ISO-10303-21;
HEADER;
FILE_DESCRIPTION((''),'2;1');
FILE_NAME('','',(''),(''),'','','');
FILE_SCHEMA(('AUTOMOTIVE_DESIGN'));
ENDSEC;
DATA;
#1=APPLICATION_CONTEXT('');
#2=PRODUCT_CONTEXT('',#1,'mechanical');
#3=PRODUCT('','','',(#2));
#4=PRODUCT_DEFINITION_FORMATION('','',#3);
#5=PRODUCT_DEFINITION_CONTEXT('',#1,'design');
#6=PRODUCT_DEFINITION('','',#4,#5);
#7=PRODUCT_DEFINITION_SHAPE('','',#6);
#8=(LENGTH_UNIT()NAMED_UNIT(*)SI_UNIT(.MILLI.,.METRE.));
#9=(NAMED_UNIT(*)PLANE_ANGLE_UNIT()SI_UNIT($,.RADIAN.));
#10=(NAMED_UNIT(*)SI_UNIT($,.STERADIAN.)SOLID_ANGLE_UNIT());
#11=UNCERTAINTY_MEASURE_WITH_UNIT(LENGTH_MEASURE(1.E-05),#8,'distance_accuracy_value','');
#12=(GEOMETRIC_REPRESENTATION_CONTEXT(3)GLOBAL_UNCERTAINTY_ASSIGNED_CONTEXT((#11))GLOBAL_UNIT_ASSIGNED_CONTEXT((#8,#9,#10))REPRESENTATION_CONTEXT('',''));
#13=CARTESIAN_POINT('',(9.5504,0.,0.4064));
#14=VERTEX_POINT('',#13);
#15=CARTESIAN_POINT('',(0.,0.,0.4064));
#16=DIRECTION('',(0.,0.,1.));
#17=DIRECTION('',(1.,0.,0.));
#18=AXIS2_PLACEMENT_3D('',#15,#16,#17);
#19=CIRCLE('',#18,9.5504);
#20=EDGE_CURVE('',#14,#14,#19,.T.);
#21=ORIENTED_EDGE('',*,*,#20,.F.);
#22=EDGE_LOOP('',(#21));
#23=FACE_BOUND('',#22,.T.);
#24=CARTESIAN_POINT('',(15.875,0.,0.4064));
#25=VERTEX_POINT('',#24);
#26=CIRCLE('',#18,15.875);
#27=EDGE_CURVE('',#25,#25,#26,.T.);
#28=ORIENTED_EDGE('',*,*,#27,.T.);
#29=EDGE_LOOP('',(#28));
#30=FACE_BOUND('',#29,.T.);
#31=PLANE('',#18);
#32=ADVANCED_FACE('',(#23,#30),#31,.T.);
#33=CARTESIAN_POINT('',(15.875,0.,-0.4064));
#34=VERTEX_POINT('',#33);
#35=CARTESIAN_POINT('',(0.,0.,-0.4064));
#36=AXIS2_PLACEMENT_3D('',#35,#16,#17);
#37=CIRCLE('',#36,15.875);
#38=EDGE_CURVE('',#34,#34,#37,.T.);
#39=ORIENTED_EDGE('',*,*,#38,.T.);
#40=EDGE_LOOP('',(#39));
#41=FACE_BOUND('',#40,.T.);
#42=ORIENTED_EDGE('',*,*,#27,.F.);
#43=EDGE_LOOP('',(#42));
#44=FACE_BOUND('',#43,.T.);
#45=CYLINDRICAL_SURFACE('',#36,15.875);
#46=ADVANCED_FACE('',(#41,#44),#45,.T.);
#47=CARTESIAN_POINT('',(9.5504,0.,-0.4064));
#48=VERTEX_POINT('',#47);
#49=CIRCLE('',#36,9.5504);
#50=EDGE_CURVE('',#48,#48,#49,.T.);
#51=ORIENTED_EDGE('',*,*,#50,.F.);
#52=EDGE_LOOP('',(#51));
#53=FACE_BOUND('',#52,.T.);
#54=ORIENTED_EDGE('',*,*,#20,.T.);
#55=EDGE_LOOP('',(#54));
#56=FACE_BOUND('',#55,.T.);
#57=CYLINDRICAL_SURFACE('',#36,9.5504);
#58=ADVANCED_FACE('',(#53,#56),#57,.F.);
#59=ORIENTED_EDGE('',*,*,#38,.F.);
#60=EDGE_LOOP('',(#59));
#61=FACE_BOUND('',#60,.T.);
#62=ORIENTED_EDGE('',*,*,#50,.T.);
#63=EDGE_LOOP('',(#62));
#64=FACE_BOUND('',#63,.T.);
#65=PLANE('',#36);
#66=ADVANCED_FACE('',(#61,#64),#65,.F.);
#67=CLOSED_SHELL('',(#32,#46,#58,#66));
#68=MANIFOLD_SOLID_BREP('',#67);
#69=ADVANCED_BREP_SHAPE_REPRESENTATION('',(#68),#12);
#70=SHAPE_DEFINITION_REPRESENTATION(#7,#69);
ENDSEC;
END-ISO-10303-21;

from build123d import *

# Parameters (mm, degrees)
BOSS_EXTRUDE1_DEPTH      = 0.4064
BOSS_EXTRUDE1_DEPTH_BACK = 0.4064
SKETCH3_R                = 15.875
SKETCH3_R_2              = 9.5504


with BuildPart() as part:
    # Sketch3 → Boss-Extrude1 (new, two sides: drawn at the far end of the back side and taken through both)
    with BuildSketch(Plane.XY.offset(-BOSS_EXTRUDE1_DEPTH_BACK)):
        Circle(SKETCH3_R)
        Circle(SKETCH3_R_2, mode=Mode.SUBTRACT)
    extrude(amount=BOSS_EXTRUDE1_DEPTH + BOSS_EXTRUDE1_DEPTH_BACK)


solid = part.part
